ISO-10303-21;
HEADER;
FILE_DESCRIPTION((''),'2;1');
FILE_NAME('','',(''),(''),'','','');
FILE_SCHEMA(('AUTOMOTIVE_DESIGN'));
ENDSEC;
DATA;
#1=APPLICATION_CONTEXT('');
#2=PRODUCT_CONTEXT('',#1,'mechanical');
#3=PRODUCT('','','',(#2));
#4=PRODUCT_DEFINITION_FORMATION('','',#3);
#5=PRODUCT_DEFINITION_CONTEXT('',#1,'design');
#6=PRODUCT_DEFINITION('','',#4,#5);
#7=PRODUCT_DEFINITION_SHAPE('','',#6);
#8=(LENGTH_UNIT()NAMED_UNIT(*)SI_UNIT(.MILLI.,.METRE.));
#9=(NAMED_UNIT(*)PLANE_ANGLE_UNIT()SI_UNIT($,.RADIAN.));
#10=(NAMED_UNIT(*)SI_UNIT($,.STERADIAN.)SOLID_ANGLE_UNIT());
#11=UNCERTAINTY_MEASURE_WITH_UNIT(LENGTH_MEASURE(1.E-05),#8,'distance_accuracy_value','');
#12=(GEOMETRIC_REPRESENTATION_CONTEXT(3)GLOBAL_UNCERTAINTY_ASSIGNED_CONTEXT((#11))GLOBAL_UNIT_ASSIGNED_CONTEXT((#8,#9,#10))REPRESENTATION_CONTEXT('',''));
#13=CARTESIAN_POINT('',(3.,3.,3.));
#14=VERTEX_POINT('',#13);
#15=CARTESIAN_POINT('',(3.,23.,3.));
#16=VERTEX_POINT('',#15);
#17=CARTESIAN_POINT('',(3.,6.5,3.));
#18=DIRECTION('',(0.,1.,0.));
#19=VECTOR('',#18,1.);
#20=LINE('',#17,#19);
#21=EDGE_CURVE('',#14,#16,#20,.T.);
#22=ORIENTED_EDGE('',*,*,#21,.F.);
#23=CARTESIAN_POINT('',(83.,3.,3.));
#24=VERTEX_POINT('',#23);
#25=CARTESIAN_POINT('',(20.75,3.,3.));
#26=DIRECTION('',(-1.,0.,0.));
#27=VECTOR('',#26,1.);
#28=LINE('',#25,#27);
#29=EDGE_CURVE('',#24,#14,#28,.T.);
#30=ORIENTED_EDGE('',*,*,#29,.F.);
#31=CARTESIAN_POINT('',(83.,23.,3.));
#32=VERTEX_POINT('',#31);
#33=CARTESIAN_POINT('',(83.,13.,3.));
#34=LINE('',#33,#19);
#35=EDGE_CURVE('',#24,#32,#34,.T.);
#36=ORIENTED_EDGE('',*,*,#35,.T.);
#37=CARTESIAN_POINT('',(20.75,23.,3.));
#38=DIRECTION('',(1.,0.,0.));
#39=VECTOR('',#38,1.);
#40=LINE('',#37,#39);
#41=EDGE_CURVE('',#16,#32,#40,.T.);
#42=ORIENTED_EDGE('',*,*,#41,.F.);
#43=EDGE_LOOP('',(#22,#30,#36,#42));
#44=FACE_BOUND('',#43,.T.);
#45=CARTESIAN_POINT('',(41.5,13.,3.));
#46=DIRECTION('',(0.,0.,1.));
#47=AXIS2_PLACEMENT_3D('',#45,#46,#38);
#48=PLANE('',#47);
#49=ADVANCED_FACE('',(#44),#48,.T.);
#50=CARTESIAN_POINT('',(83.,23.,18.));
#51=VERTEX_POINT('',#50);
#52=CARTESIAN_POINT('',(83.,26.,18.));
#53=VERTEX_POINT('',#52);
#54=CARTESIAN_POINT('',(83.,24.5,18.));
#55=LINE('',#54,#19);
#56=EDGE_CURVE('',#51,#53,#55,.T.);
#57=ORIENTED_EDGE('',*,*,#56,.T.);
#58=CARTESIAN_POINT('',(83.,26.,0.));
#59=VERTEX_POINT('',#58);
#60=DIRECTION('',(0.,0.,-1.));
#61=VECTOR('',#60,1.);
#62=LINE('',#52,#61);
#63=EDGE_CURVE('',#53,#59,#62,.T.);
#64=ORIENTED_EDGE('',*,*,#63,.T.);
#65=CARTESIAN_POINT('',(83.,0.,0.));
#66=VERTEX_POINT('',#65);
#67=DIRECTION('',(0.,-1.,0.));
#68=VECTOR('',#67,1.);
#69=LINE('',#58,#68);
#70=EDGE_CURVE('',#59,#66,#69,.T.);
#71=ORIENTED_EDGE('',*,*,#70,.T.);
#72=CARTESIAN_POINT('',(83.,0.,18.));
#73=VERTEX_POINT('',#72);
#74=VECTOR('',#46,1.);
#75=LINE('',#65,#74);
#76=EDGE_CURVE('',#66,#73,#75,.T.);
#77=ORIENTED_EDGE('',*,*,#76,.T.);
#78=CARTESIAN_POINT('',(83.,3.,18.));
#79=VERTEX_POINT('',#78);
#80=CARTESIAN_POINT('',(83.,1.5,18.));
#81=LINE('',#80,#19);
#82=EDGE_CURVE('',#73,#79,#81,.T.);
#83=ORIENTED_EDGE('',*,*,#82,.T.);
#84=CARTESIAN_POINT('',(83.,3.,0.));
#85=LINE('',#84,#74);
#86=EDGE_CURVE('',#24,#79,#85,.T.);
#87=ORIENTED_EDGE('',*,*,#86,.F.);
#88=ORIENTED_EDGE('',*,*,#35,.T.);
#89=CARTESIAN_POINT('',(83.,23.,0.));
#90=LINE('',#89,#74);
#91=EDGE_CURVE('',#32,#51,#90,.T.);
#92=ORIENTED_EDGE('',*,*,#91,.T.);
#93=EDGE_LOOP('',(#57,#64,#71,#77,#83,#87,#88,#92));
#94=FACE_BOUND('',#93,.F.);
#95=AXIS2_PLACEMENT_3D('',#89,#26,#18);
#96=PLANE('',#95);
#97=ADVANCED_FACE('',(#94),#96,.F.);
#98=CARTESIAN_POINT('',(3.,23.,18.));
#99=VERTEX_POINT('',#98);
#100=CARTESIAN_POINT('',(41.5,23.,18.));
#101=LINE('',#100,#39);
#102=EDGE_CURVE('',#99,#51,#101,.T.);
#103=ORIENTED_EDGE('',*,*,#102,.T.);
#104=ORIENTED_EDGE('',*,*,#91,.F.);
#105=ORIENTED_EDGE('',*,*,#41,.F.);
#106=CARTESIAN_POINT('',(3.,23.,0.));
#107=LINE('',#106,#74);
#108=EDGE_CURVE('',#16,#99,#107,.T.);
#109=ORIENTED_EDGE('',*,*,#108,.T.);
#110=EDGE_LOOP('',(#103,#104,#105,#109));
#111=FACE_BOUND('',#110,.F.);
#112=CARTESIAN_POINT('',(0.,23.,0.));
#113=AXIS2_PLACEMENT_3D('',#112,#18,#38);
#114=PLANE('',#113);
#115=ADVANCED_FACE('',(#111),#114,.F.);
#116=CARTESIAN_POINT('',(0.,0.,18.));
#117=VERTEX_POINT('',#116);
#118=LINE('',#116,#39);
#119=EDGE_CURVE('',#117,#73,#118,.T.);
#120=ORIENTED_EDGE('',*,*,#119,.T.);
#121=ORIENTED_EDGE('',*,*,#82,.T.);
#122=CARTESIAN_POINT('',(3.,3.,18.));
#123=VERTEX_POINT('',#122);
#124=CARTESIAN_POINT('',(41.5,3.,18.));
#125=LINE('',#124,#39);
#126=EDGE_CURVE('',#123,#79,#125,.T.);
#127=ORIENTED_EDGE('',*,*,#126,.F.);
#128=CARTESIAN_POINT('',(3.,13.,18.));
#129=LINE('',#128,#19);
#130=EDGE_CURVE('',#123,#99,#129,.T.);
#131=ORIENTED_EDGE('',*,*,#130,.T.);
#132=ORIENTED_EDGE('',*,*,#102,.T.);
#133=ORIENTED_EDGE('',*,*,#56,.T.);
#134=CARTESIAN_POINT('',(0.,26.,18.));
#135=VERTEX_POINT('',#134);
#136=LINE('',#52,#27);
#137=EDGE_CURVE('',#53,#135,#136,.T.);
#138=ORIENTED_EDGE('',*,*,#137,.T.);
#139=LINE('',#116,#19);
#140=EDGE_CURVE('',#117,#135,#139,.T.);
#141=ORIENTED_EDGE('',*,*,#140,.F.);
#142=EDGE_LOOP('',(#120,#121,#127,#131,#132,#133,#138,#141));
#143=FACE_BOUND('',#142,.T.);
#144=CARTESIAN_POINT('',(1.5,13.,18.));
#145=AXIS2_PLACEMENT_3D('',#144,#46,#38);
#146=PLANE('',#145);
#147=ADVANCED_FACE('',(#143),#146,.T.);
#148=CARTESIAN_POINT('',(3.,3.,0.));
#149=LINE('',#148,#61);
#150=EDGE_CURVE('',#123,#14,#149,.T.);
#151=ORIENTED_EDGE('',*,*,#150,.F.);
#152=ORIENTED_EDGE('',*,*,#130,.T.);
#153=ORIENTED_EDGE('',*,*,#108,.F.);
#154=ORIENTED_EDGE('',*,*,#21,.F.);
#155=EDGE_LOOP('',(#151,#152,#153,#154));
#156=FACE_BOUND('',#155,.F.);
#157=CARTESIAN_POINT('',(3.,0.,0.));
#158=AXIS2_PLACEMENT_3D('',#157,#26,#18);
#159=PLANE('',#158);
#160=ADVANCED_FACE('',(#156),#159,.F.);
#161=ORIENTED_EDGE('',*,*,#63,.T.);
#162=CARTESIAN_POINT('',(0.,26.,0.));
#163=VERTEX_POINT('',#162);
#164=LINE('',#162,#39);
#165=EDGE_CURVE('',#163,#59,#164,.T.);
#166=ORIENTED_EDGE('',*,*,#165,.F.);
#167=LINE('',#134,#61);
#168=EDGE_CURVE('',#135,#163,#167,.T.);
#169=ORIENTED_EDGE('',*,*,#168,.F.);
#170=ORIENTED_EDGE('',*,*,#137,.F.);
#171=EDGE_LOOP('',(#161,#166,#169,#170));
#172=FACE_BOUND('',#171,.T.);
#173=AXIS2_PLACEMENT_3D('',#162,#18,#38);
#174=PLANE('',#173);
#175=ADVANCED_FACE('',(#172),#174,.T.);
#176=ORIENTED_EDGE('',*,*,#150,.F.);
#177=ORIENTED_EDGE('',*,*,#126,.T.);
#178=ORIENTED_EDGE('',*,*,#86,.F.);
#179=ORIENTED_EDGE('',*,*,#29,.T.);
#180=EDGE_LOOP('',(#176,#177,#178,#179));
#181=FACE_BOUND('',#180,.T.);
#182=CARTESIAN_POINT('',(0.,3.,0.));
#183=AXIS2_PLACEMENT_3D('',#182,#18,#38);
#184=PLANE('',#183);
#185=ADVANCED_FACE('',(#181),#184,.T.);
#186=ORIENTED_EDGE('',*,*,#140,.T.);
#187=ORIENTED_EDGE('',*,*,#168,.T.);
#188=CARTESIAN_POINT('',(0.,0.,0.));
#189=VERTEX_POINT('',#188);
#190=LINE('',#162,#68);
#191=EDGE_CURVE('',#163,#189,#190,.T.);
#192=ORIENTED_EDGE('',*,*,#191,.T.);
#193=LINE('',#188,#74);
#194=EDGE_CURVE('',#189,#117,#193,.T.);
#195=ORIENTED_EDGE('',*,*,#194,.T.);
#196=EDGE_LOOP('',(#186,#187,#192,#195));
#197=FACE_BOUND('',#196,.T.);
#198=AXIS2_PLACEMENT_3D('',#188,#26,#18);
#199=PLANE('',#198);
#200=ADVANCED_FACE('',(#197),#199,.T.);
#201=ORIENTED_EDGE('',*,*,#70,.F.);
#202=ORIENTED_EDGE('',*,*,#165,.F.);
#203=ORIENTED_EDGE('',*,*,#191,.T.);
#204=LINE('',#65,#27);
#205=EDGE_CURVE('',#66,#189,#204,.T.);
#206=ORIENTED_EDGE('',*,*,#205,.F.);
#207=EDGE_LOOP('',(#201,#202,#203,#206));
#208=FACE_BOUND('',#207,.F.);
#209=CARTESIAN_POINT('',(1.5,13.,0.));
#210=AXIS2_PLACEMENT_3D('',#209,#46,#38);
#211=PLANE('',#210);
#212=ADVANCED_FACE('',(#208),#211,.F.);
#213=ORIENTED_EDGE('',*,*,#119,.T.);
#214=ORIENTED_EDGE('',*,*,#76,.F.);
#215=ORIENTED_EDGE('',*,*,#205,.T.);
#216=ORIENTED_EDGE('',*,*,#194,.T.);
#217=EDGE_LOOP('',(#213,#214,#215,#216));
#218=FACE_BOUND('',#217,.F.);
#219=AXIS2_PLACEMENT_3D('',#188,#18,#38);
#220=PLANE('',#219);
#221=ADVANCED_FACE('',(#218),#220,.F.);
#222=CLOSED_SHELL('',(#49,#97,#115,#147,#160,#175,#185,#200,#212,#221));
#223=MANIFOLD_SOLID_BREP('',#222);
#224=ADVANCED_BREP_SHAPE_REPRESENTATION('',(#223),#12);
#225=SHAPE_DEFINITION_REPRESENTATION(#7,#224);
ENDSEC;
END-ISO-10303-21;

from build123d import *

# Parameters (mm, degrees)
BOX003_W     = 3
BOX003_H     = 26
BOX003_DEPTH = 18
BOX_W        = 83
BOX_H        = 26
BOX_DEPTH    = 3
BOX001_W     = 83
BOX001_H     = 3
BOX001_DEPTH = 18
BOX002_W     = 83
BOX002_H     = 3
BOX002_DEPTH = 18


with BuildPart() as paredefundo:
    # Box003 → Box003 (new body)
    with BuildSketch(Plane.XY):
        with Locations((1.5, 13)):
            Rectangle(BOX003_W, BOX003_H)
    extrude(amount=BOX003_DEPTH)


with BuildPart() as baseinferior:
    # Box → Box (new body)
    with BuildSketch(Plane.XY):
        with Locations((41.5, 13)):
            Rectangle(BOX_W, BOX_H)
    extrude(amount=BOX_DEPTH)


with BuildPart() as paredeesquerda:
    # Box001 → Box001 (new body)
    with BuildSketch(Plane.XY):
        with Locations((41.5, 1.5)):
            Rectangle(BOX001_W, BOX001_H)
    extrude(amount=BOX001_DEPTH)


with BuildPart() as pe_a_unida_sem_refinar:
    # Box002 → Box002 (new body)
    with BuildSketch(Plane(origin=(0, 23, 0), x_dir=(1, 0, 0), z_dir=(0, 0, 1))):
        with Locations((41.5, 1.5)):
            Rectangle(BOX002_W, BOX002_H)
    extrude(amount=BOX002_DEPTH)

    # Fusion: union ParedeFundo, BaseInferior, ParedeEsquerda
    add(paredefundo.part)
    add(baseinferior.part)
    add(paredeesquerda.part)


solid = pe_a_unida_sem_refinar.part
